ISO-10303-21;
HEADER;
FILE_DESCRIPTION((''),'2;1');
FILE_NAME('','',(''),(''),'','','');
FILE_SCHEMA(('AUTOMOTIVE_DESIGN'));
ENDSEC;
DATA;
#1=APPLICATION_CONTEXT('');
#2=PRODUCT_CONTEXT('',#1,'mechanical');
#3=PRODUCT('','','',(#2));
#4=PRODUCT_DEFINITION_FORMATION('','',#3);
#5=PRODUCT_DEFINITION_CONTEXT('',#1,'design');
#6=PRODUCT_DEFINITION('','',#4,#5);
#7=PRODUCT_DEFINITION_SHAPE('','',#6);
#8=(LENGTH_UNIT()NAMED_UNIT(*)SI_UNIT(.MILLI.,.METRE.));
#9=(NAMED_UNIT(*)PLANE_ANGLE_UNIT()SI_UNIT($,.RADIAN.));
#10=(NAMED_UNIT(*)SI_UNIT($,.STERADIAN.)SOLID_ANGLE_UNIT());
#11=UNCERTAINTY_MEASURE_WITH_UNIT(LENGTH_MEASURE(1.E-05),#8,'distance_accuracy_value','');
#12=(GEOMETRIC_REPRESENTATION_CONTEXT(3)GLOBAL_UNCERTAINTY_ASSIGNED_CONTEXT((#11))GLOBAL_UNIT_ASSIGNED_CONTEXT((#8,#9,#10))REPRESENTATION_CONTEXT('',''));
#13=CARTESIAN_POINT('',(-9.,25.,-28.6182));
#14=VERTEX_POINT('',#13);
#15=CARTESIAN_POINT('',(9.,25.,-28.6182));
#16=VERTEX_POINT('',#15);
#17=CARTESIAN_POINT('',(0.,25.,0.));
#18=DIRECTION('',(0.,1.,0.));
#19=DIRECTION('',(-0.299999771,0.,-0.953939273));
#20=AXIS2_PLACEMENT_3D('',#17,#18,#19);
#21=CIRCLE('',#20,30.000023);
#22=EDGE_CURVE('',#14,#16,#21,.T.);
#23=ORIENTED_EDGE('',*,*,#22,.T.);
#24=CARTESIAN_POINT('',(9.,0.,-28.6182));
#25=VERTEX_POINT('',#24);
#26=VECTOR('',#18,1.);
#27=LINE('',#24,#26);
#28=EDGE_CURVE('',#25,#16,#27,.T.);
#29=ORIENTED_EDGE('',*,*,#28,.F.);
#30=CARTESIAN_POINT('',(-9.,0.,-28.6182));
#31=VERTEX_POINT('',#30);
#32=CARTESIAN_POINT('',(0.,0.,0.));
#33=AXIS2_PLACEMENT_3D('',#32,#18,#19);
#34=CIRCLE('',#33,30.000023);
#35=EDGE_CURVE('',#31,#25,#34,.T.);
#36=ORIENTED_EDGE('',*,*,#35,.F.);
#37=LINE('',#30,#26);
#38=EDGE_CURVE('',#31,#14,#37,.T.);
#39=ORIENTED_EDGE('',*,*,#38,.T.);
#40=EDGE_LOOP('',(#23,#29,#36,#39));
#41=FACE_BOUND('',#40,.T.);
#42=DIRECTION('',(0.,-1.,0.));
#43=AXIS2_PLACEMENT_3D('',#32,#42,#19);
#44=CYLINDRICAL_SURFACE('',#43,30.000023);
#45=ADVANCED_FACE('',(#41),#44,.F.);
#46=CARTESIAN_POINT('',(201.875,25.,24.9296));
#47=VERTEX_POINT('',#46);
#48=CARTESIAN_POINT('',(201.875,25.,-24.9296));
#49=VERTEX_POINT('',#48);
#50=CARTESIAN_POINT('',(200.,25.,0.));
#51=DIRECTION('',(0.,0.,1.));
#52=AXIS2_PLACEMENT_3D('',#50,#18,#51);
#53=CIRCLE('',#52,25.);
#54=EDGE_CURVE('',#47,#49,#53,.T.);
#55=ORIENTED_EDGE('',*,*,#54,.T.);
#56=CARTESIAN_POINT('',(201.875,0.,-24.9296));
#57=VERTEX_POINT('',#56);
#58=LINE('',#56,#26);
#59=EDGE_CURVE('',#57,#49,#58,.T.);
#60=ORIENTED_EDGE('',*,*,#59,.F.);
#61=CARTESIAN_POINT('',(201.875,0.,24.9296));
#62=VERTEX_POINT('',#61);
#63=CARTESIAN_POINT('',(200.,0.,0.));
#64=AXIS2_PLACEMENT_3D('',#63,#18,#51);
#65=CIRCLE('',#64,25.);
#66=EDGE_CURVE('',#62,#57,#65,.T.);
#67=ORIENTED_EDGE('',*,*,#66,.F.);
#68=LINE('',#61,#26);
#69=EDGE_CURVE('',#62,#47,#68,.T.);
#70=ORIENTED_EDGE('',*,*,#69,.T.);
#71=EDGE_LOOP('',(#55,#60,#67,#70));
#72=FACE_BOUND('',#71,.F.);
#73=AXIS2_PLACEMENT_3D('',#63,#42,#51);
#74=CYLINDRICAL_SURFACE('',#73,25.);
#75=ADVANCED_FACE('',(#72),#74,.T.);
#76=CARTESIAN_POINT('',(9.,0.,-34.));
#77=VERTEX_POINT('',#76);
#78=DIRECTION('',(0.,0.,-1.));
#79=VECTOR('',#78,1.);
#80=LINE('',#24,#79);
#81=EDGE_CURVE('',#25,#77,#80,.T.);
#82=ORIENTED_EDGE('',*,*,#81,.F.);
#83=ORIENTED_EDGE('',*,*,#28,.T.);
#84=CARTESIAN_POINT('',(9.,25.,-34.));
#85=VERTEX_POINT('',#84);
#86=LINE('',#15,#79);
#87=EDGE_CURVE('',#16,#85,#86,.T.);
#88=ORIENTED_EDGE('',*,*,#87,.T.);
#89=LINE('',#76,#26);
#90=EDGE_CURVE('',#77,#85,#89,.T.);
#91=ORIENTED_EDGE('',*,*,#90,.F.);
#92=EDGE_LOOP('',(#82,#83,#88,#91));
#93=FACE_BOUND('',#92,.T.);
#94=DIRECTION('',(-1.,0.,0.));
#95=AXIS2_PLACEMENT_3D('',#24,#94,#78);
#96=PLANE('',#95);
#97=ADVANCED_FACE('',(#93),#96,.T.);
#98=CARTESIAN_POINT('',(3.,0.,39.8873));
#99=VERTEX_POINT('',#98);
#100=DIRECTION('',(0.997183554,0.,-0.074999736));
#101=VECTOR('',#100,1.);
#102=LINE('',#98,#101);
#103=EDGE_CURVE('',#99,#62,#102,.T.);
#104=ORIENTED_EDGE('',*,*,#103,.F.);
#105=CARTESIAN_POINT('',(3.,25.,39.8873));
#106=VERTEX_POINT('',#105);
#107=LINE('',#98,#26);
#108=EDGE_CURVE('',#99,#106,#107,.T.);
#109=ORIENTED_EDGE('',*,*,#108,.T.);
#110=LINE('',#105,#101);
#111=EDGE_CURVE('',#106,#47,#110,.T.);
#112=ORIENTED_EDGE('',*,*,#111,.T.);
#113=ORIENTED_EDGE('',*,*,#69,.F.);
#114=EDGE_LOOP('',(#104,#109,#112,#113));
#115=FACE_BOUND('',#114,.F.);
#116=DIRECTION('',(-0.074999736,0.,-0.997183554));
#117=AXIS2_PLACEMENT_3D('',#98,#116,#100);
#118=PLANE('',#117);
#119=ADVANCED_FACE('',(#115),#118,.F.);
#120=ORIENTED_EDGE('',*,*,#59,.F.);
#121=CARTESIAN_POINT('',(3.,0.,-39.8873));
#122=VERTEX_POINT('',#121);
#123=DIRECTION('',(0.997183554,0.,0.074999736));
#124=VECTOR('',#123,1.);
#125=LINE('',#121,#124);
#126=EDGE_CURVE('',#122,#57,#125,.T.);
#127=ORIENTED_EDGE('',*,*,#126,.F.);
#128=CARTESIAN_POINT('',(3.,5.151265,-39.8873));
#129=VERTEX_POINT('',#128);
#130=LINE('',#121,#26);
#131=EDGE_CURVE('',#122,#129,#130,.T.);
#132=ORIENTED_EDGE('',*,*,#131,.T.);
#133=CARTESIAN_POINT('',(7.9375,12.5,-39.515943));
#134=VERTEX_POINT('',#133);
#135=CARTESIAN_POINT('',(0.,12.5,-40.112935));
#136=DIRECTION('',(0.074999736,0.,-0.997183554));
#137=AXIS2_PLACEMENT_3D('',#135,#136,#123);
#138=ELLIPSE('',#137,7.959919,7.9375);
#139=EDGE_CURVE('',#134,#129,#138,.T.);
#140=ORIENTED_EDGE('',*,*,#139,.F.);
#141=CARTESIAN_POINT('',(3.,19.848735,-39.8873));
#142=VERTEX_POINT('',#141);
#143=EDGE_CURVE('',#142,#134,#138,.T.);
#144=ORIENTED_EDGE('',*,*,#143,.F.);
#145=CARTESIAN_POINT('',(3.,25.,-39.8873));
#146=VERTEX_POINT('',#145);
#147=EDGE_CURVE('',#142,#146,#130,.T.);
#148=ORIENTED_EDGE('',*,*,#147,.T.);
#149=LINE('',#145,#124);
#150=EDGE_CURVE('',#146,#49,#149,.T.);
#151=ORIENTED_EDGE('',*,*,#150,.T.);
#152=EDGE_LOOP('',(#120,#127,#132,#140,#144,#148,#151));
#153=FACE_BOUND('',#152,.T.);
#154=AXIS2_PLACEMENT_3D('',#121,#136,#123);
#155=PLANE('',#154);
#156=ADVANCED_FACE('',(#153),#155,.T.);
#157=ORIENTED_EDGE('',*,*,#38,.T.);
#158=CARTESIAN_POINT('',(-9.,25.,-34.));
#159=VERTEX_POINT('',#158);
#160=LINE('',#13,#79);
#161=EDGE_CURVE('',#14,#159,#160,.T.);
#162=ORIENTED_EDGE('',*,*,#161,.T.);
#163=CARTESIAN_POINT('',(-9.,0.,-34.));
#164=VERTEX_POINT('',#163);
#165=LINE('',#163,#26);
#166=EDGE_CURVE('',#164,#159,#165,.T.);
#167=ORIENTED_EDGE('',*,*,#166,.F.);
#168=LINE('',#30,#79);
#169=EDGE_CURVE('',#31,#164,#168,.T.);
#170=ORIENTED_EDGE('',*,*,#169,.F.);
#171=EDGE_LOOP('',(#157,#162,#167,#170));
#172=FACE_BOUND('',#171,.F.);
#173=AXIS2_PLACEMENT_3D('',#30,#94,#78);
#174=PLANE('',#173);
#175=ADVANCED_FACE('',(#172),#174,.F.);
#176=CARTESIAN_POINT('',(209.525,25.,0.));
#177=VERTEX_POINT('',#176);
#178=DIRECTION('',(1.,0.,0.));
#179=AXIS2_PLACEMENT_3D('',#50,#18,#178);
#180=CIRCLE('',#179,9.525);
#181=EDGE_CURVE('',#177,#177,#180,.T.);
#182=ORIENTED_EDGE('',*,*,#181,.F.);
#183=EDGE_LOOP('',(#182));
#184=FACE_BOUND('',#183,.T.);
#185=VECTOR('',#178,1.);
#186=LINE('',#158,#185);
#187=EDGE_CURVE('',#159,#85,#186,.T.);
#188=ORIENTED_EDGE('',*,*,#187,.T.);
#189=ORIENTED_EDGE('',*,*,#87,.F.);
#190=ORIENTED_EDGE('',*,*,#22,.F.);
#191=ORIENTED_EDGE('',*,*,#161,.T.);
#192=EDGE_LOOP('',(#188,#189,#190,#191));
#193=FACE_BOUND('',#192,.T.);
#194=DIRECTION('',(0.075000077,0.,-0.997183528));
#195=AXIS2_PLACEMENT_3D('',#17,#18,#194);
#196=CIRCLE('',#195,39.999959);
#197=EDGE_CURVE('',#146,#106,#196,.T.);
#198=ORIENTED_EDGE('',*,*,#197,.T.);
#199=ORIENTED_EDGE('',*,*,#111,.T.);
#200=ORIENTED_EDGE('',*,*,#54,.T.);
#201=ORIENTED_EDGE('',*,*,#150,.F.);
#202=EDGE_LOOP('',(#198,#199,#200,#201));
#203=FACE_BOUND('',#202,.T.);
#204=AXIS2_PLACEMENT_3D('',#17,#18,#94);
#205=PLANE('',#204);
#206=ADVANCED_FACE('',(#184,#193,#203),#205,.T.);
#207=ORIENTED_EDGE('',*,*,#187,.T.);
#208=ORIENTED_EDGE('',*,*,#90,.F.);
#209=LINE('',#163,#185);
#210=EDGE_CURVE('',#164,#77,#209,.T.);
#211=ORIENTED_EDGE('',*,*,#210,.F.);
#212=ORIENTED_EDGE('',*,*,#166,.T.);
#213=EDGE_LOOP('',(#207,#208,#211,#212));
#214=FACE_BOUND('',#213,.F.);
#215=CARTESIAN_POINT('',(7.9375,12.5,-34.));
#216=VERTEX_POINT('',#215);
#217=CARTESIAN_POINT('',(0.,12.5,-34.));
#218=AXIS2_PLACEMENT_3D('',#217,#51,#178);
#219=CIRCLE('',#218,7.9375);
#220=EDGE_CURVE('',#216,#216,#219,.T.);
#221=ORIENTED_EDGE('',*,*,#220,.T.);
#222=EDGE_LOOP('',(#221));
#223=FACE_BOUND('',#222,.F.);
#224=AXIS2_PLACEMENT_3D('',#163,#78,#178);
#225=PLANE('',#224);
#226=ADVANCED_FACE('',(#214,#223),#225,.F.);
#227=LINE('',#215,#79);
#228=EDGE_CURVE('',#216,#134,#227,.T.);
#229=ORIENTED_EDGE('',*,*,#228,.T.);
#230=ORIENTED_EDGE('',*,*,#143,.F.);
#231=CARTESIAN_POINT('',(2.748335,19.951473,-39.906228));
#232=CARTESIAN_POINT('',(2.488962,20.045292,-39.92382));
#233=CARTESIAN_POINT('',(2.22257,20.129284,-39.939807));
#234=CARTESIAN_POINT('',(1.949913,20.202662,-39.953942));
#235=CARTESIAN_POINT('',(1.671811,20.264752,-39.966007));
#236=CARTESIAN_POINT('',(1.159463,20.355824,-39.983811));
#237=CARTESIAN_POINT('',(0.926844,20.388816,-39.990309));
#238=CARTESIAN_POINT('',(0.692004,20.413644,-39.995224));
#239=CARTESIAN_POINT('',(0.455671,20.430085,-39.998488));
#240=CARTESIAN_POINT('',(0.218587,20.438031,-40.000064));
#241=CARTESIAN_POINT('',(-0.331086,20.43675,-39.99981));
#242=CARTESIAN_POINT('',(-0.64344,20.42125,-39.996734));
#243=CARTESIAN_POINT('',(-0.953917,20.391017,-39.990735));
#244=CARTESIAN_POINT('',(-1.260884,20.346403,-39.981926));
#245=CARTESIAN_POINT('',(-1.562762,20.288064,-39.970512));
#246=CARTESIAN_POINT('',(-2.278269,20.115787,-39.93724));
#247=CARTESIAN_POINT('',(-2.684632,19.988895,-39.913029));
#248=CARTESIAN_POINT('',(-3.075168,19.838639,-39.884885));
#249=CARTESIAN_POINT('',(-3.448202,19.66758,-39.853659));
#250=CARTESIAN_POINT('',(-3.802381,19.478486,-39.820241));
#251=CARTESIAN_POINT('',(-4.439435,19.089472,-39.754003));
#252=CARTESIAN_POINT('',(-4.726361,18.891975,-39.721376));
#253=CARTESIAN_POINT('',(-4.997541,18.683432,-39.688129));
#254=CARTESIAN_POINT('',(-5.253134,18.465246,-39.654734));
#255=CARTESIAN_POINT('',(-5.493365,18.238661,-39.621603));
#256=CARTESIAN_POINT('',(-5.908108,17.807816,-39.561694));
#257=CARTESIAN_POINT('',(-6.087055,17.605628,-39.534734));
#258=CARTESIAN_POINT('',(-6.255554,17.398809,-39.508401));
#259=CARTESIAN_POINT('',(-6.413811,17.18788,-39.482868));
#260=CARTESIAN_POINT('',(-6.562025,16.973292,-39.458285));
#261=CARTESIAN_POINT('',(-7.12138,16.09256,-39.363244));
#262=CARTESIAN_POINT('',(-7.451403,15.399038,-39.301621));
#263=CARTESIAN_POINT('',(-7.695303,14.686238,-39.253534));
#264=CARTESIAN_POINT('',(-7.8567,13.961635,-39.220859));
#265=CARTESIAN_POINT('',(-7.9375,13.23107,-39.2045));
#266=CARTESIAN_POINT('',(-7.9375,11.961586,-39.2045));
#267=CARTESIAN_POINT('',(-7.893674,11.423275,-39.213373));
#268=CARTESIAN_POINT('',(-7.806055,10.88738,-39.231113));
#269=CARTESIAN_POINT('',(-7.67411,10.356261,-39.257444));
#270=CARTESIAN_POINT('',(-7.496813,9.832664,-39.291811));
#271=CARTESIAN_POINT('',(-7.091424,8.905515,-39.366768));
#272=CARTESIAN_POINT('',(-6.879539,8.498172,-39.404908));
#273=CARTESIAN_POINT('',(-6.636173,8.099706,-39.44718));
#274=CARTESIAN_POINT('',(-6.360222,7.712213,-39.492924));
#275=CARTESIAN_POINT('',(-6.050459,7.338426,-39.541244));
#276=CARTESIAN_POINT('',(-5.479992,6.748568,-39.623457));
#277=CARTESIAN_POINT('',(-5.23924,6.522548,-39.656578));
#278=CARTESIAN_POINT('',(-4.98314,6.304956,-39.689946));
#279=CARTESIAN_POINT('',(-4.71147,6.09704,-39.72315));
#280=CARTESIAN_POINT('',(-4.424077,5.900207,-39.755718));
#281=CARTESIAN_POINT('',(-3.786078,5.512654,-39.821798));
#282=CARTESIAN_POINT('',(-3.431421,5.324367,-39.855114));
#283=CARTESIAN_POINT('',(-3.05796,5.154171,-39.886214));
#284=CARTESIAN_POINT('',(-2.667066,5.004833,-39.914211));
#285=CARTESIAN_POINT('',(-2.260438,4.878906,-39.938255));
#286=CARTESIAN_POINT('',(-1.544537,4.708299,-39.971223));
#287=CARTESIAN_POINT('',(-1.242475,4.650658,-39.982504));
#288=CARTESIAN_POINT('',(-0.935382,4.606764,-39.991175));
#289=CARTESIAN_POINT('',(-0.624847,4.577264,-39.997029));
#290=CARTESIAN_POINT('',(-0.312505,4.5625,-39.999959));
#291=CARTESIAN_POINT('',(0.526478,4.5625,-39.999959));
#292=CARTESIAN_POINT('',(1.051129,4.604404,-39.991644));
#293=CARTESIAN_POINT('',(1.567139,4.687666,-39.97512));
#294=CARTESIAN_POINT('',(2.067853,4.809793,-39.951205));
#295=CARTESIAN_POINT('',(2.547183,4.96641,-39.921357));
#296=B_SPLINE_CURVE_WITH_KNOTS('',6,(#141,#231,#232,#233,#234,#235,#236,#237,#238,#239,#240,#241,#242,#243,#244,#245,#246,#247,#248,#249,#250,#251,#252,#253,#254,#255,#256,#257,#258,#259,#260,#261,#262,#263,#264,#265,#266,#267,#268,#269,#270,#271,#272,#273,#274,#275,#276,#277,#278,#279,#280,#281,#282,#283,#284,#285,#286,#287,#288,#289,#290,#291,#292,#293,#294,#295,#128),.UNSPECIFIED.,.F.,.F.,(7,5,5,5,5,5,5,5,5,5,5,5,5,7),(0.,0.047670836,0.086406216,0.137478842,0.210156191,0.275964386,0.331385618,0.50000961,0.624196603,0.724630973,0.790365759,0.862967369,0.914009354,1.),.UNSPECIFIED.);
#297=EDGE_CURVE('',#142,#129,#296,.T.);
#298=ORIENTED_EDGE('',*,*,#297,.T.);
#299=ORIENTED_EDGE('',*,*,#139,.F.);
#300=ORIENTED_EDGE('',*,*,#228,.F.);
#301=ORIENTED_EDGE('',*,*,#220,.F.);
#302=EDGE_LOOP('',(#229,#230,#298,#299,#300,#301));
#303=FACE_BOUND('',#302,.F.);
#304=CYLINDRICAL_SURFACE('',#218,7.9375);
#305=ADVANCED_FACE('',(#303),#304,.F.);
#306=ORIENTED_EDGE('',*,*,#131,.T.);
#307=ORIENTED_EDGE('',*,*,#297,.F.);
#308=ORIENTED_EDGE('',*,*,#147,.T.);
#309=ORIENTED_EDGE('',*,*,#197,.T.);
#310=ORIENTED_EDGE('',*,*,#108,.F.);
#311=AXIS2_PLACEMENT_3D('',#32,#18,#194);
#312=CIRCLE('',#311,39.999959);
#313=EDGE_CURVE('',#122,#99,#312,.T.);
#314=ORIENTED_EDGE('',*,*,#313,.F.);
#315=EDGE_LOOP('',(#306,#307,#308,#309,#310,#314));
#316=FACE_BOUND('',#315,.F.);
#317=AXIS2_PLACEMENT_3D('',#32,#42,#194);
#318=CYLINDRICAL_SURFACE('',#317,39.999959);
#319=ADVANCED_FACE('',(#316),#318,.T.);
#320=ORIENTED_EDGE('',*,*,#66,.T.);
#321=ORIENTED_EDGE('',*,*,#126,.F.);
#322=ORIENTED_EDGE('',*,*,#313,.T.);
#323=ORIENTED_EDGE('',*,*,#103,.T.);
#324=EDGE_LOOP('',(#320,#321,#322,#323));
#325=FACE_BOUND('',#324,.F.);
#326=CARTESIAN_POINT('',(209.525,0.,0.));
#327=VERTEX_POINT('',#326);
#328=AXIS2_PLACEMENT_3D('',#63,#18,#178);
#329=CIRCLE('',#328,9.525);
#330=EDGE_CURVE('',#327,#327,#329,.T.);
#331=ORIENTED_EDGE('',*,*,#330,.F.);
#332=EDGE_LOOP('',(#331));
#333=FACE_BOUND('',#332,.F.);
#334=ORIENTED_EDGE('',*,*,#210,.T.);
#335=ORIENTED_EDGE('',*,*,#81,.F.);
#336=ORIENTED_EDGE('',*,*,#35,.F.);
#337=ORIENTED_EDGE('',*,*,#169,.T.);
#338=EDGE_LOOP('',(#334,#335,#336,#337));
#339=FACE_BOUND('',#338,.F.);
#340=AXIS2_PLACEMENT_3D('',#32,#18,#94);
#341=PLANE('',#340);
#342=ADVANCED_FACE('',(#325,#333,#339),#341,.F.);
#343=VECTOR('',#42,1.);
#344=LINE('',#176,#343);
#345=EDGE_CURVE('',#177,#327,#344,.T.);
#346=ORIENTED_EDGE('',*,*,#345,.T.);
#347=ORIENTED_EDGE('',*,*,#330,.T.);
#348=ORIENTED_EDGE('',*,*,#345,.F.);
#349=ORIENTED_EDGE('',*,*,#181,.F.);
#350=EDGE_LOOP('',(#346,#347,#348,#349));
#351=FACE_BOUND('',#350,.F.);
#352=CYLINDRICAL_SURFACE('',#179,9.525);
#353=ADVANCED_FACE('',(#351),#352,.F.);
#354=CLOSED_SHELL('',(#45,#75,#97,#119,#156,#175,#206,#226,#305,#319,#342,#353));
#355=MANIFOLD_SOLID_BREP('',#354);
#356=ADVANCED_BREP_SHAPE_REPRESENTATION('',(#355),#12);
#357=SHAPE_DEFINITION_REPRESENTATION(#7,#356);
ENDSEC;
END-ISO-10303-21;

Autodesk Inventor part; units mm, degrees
ref_plane "YZ Plane" through (0, 0, 0) normal (1, 0, 0) x (0, 1, 0)
ref_plane "XZ Plane" through (0, 0, 0) normal (0, 1, 0) x (-1, 0, 0)
ref_plane "XY Plane" through (0, 0, 0) normal (0, 0, 1) x (1, 0, 0)
sketch "Sketch1" plane through (0, 0, 0) normal (0, 1, 0) x (-1, 0, 0)
  arc A0 (9, -28.6182) -> (-9, -28.6182) centre (0, 0) ccw
  arc A1 (-3, 39.8873) -> (-3, -39.8873) centre (0, 0) ccw construction
  line L0 (0, 0) -> (-200, 0) construction
  arc A2 (-175, 0) -> (-200, 25) centre (-200, 0) ccw construction
  line L1 (-200, 25) -> (-200, -25) construction
  line L2 (-3, -39.8873) -> (-201.875, -24.9296)
  line L3 (-3, 39.8873) -> (-201.875, 24.9296)
  arc A3 (-3, -39.8873) -> (-3, 39.8873) centre (0, 0) ccw
  arc A4 (-200, -25) -> (-175, 0) centre (-200, 0) ccw construction
  arc A5 (-200, 25) -> (-200, -25) centre (-200, 0) ccw
  line L4 (0, 0) -> (0, -30) construction
  line L5 (9, -23) -> (-9, -23) construction
  line L6 (9, -23) -> (9, -28.6182) construction
  line L7 (-9, -23) -> (-9, -28.6182) construction
  line L8 (9, -28.6182) -> (9, -34)
  line L9 (-9, -28.6182) -> (-9, -34)
  line L10 (9, -34) -> (-9, -34)
  arc A6 (0, -30) -> (9, -28.6182) centre (0, 0) ccw construction
  arc A7 (-9, -28.6182) -> (0, -30) centre (0, 0) ccw construction
  dimension "d0" = 60
  dimension "d1" = 80
  dimension "d2" = 200
  dimension "d3" = 50
  dimension "d5" = 18
  dimension "d6" = 7
  dimension "d7" = 4
extrude "Extrusion1" add sketch "Sketch1" along normal blind 25
sketch "Sketch2" plane through (0, 25, 0) normal (0, 1, 0) x (1, 0, 0)
  arc A0 (201.875, -24.9296) -> (201.875, 24.9296) centre (200, 0) ccw projected
  circle A1 centre (200, 0) radius 9.525
  point P0 (0, 0)
  dimension "d10" = 19.05
extrude "Extrusion4" cut sketch "Sketch2" against normal through all
sketch "Sketch4" plane through (-9, 0, -34) normal (0, 0, 1) x (1, 0, 0)
  line L0 (0, 0) -> (18, 0) projected
  line L1 (18, 0) -> (18, 25) projected
  line L2 (0, 25) -> (18, 25) projected
  line L3 (0, 0) -> (0, 25) projected
  line L4 (9, 25) -> (9, 0) construction
  line L5 (0, 0) -> (0, 25) construction
  line L6 (0, 12.5) -> (18, 12.5) construction
  circle A0 centre (9, 12.5) radius 7.9375
  dimension "d24" = 15.875
extrude "Extrusion5" cut sketch "Sketch4" against normal blind 10 contours A0
properties part number "placa manivela" material "Steel, Carbon"
